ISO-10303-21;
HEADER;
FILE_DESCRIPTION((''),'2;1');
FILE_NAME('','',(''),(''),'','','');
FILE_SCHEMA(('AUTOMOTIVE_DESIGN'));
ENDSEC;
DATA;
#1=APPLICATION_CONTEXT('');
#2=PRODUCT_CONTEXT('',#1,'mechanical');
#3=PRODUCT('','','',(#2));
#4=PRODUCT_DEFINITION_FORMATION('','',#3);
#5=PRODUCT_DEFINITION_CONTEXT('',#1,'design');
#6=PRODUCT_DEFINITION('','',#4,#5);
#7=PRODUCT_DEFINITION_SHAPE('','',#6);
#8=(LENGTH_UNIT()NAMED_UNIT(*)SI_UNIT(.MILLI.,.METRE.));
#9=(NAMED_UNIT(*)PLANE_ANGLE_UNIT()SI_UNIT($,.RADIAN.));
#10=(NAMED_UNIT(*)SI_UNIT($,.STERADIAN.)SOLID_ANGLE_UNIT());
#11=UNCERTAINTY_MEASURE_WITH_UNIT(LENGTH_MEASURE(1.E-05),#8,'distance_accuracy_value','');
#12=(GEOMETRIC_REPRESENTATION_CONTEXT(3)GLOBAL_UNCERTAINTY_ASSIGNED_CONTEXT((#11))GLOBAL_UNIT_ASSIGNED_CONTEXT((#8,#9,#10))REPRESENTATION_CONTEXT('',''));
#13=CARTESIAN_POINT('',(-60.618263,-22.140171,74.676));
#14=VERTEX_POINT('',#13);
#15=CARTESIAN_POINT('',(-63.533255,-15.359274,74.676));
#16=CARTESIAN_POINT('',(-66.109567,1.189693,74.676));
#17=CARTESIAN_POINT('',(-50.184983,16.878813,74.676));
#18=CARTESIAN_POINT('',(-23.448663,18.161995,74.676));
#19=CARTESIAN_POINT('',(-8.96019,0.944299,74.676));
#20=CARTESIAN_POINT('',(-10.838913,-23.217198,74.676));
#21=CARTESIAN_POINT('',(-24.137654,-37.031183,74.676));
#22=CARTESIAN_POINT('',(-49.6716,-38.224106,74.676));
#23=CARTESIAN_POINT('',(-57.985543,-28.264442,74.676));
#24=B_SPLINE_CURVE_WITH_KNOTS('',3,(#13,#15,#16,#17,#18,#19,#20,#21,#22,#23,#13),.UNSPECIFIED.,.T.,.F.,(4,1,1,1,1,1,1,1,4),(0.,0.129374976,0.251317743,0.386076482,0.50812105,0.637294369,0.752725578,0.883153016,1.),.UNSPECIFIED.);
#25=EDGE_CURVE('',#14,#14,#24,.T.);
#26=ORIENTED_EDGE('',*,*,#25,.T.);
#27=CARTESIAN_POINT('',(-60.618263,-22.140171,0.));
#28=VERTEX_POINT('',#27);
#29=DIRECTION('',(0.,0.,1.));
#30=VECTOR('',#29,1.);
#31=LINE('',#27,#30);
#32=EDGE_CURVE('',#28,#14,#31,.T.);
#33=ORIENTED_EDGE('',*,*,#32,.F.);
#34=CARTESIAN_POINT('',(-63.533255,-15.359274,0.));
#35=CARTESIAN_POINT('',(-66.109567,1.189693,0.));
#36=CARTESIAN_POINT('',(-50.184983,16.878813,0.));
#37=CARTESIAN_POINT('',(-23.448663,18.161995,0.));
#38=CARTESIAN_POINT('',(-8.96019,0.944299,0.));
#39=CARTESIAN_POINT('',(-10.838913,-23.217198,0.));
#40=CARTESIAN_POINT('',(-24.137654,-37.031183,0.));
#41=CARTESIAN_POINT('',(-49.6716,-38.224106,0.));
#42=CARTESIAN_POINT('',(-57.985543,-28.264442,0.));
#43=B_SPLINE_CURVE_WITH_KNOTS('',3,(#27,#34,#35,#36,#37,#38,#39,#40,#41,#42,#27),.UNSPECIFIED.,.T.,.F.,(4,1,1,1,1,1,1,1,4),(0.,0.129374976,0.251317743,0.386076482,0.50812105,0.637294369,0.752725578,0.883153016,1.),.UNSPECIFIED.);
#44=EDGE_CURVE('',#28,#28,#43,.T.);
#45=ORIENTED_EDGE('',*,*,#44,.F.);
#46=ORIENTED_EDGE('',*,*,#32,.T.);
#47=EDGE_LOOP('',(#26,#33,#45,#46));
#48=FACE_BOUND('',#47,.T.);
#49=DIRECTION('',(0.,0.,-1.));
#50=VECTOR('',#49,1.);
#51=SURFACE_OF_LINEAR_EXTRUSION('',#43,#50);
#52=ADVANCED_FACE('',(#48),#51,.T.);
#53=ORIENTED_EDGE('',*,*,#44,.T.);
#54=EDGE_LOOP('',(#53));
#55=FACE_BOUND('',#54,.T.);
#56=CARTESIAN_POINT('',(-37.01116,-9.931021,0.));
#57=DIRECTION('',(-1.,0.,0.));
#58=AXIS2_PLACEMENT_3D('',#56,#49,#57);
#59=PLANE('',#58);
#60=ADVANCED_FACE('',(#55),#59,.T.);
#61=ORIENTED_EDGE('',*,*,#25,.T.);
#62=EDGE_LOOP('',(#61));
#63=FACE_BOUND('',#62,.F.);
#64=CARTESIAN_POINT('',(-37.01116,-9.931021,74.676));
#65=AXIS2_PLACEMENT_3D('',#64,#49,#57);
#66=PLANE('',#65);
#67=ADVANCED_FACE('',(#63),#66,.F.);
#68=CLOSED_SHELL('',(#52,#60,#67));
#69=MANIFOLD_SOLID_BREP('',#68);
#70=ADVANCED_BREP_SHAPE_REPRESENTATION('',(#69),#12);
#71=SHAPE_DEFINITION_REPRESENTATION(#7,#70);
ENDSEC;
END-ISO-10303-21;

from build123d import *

# Parameters (mm, degrees)
F1_DEPTH = 74.676


with BuildPart() as f1:
    # F0 (on Top) → F1 (new body)
    with BuildSketch(Plane.XY):
        with BuildLine():
            add(Edge.make_bspline(
                [(-60.618262738, -22.1401713789), (-63.5332550468, -15.3592743801), (-66.1095670798, 1.1896925544), (-50.1849827149, 16.8788126751), (-23.4486634962, 18.1619945248), (-8.9601898569, 0.9442994678), (-10.8389128779, -23.2171982427), (-24.1376544433, -37.0311826234), (-49.6715997894, -38.2241055419), (-57.9855429432, -28.2644419992), (-60.618262738, -22.1401713789)],
                knots=[0, 0, 0, 0, 0.1293749762, 0.2513177433, 0.3860764822, 0.5081210503, 0.637294369, 0.752725578, 0.8831530156, 1, 1, 1, 1], degree=3))
        make_face()
    extrude(amount=F1_DEPTH)


solid = f1.part
